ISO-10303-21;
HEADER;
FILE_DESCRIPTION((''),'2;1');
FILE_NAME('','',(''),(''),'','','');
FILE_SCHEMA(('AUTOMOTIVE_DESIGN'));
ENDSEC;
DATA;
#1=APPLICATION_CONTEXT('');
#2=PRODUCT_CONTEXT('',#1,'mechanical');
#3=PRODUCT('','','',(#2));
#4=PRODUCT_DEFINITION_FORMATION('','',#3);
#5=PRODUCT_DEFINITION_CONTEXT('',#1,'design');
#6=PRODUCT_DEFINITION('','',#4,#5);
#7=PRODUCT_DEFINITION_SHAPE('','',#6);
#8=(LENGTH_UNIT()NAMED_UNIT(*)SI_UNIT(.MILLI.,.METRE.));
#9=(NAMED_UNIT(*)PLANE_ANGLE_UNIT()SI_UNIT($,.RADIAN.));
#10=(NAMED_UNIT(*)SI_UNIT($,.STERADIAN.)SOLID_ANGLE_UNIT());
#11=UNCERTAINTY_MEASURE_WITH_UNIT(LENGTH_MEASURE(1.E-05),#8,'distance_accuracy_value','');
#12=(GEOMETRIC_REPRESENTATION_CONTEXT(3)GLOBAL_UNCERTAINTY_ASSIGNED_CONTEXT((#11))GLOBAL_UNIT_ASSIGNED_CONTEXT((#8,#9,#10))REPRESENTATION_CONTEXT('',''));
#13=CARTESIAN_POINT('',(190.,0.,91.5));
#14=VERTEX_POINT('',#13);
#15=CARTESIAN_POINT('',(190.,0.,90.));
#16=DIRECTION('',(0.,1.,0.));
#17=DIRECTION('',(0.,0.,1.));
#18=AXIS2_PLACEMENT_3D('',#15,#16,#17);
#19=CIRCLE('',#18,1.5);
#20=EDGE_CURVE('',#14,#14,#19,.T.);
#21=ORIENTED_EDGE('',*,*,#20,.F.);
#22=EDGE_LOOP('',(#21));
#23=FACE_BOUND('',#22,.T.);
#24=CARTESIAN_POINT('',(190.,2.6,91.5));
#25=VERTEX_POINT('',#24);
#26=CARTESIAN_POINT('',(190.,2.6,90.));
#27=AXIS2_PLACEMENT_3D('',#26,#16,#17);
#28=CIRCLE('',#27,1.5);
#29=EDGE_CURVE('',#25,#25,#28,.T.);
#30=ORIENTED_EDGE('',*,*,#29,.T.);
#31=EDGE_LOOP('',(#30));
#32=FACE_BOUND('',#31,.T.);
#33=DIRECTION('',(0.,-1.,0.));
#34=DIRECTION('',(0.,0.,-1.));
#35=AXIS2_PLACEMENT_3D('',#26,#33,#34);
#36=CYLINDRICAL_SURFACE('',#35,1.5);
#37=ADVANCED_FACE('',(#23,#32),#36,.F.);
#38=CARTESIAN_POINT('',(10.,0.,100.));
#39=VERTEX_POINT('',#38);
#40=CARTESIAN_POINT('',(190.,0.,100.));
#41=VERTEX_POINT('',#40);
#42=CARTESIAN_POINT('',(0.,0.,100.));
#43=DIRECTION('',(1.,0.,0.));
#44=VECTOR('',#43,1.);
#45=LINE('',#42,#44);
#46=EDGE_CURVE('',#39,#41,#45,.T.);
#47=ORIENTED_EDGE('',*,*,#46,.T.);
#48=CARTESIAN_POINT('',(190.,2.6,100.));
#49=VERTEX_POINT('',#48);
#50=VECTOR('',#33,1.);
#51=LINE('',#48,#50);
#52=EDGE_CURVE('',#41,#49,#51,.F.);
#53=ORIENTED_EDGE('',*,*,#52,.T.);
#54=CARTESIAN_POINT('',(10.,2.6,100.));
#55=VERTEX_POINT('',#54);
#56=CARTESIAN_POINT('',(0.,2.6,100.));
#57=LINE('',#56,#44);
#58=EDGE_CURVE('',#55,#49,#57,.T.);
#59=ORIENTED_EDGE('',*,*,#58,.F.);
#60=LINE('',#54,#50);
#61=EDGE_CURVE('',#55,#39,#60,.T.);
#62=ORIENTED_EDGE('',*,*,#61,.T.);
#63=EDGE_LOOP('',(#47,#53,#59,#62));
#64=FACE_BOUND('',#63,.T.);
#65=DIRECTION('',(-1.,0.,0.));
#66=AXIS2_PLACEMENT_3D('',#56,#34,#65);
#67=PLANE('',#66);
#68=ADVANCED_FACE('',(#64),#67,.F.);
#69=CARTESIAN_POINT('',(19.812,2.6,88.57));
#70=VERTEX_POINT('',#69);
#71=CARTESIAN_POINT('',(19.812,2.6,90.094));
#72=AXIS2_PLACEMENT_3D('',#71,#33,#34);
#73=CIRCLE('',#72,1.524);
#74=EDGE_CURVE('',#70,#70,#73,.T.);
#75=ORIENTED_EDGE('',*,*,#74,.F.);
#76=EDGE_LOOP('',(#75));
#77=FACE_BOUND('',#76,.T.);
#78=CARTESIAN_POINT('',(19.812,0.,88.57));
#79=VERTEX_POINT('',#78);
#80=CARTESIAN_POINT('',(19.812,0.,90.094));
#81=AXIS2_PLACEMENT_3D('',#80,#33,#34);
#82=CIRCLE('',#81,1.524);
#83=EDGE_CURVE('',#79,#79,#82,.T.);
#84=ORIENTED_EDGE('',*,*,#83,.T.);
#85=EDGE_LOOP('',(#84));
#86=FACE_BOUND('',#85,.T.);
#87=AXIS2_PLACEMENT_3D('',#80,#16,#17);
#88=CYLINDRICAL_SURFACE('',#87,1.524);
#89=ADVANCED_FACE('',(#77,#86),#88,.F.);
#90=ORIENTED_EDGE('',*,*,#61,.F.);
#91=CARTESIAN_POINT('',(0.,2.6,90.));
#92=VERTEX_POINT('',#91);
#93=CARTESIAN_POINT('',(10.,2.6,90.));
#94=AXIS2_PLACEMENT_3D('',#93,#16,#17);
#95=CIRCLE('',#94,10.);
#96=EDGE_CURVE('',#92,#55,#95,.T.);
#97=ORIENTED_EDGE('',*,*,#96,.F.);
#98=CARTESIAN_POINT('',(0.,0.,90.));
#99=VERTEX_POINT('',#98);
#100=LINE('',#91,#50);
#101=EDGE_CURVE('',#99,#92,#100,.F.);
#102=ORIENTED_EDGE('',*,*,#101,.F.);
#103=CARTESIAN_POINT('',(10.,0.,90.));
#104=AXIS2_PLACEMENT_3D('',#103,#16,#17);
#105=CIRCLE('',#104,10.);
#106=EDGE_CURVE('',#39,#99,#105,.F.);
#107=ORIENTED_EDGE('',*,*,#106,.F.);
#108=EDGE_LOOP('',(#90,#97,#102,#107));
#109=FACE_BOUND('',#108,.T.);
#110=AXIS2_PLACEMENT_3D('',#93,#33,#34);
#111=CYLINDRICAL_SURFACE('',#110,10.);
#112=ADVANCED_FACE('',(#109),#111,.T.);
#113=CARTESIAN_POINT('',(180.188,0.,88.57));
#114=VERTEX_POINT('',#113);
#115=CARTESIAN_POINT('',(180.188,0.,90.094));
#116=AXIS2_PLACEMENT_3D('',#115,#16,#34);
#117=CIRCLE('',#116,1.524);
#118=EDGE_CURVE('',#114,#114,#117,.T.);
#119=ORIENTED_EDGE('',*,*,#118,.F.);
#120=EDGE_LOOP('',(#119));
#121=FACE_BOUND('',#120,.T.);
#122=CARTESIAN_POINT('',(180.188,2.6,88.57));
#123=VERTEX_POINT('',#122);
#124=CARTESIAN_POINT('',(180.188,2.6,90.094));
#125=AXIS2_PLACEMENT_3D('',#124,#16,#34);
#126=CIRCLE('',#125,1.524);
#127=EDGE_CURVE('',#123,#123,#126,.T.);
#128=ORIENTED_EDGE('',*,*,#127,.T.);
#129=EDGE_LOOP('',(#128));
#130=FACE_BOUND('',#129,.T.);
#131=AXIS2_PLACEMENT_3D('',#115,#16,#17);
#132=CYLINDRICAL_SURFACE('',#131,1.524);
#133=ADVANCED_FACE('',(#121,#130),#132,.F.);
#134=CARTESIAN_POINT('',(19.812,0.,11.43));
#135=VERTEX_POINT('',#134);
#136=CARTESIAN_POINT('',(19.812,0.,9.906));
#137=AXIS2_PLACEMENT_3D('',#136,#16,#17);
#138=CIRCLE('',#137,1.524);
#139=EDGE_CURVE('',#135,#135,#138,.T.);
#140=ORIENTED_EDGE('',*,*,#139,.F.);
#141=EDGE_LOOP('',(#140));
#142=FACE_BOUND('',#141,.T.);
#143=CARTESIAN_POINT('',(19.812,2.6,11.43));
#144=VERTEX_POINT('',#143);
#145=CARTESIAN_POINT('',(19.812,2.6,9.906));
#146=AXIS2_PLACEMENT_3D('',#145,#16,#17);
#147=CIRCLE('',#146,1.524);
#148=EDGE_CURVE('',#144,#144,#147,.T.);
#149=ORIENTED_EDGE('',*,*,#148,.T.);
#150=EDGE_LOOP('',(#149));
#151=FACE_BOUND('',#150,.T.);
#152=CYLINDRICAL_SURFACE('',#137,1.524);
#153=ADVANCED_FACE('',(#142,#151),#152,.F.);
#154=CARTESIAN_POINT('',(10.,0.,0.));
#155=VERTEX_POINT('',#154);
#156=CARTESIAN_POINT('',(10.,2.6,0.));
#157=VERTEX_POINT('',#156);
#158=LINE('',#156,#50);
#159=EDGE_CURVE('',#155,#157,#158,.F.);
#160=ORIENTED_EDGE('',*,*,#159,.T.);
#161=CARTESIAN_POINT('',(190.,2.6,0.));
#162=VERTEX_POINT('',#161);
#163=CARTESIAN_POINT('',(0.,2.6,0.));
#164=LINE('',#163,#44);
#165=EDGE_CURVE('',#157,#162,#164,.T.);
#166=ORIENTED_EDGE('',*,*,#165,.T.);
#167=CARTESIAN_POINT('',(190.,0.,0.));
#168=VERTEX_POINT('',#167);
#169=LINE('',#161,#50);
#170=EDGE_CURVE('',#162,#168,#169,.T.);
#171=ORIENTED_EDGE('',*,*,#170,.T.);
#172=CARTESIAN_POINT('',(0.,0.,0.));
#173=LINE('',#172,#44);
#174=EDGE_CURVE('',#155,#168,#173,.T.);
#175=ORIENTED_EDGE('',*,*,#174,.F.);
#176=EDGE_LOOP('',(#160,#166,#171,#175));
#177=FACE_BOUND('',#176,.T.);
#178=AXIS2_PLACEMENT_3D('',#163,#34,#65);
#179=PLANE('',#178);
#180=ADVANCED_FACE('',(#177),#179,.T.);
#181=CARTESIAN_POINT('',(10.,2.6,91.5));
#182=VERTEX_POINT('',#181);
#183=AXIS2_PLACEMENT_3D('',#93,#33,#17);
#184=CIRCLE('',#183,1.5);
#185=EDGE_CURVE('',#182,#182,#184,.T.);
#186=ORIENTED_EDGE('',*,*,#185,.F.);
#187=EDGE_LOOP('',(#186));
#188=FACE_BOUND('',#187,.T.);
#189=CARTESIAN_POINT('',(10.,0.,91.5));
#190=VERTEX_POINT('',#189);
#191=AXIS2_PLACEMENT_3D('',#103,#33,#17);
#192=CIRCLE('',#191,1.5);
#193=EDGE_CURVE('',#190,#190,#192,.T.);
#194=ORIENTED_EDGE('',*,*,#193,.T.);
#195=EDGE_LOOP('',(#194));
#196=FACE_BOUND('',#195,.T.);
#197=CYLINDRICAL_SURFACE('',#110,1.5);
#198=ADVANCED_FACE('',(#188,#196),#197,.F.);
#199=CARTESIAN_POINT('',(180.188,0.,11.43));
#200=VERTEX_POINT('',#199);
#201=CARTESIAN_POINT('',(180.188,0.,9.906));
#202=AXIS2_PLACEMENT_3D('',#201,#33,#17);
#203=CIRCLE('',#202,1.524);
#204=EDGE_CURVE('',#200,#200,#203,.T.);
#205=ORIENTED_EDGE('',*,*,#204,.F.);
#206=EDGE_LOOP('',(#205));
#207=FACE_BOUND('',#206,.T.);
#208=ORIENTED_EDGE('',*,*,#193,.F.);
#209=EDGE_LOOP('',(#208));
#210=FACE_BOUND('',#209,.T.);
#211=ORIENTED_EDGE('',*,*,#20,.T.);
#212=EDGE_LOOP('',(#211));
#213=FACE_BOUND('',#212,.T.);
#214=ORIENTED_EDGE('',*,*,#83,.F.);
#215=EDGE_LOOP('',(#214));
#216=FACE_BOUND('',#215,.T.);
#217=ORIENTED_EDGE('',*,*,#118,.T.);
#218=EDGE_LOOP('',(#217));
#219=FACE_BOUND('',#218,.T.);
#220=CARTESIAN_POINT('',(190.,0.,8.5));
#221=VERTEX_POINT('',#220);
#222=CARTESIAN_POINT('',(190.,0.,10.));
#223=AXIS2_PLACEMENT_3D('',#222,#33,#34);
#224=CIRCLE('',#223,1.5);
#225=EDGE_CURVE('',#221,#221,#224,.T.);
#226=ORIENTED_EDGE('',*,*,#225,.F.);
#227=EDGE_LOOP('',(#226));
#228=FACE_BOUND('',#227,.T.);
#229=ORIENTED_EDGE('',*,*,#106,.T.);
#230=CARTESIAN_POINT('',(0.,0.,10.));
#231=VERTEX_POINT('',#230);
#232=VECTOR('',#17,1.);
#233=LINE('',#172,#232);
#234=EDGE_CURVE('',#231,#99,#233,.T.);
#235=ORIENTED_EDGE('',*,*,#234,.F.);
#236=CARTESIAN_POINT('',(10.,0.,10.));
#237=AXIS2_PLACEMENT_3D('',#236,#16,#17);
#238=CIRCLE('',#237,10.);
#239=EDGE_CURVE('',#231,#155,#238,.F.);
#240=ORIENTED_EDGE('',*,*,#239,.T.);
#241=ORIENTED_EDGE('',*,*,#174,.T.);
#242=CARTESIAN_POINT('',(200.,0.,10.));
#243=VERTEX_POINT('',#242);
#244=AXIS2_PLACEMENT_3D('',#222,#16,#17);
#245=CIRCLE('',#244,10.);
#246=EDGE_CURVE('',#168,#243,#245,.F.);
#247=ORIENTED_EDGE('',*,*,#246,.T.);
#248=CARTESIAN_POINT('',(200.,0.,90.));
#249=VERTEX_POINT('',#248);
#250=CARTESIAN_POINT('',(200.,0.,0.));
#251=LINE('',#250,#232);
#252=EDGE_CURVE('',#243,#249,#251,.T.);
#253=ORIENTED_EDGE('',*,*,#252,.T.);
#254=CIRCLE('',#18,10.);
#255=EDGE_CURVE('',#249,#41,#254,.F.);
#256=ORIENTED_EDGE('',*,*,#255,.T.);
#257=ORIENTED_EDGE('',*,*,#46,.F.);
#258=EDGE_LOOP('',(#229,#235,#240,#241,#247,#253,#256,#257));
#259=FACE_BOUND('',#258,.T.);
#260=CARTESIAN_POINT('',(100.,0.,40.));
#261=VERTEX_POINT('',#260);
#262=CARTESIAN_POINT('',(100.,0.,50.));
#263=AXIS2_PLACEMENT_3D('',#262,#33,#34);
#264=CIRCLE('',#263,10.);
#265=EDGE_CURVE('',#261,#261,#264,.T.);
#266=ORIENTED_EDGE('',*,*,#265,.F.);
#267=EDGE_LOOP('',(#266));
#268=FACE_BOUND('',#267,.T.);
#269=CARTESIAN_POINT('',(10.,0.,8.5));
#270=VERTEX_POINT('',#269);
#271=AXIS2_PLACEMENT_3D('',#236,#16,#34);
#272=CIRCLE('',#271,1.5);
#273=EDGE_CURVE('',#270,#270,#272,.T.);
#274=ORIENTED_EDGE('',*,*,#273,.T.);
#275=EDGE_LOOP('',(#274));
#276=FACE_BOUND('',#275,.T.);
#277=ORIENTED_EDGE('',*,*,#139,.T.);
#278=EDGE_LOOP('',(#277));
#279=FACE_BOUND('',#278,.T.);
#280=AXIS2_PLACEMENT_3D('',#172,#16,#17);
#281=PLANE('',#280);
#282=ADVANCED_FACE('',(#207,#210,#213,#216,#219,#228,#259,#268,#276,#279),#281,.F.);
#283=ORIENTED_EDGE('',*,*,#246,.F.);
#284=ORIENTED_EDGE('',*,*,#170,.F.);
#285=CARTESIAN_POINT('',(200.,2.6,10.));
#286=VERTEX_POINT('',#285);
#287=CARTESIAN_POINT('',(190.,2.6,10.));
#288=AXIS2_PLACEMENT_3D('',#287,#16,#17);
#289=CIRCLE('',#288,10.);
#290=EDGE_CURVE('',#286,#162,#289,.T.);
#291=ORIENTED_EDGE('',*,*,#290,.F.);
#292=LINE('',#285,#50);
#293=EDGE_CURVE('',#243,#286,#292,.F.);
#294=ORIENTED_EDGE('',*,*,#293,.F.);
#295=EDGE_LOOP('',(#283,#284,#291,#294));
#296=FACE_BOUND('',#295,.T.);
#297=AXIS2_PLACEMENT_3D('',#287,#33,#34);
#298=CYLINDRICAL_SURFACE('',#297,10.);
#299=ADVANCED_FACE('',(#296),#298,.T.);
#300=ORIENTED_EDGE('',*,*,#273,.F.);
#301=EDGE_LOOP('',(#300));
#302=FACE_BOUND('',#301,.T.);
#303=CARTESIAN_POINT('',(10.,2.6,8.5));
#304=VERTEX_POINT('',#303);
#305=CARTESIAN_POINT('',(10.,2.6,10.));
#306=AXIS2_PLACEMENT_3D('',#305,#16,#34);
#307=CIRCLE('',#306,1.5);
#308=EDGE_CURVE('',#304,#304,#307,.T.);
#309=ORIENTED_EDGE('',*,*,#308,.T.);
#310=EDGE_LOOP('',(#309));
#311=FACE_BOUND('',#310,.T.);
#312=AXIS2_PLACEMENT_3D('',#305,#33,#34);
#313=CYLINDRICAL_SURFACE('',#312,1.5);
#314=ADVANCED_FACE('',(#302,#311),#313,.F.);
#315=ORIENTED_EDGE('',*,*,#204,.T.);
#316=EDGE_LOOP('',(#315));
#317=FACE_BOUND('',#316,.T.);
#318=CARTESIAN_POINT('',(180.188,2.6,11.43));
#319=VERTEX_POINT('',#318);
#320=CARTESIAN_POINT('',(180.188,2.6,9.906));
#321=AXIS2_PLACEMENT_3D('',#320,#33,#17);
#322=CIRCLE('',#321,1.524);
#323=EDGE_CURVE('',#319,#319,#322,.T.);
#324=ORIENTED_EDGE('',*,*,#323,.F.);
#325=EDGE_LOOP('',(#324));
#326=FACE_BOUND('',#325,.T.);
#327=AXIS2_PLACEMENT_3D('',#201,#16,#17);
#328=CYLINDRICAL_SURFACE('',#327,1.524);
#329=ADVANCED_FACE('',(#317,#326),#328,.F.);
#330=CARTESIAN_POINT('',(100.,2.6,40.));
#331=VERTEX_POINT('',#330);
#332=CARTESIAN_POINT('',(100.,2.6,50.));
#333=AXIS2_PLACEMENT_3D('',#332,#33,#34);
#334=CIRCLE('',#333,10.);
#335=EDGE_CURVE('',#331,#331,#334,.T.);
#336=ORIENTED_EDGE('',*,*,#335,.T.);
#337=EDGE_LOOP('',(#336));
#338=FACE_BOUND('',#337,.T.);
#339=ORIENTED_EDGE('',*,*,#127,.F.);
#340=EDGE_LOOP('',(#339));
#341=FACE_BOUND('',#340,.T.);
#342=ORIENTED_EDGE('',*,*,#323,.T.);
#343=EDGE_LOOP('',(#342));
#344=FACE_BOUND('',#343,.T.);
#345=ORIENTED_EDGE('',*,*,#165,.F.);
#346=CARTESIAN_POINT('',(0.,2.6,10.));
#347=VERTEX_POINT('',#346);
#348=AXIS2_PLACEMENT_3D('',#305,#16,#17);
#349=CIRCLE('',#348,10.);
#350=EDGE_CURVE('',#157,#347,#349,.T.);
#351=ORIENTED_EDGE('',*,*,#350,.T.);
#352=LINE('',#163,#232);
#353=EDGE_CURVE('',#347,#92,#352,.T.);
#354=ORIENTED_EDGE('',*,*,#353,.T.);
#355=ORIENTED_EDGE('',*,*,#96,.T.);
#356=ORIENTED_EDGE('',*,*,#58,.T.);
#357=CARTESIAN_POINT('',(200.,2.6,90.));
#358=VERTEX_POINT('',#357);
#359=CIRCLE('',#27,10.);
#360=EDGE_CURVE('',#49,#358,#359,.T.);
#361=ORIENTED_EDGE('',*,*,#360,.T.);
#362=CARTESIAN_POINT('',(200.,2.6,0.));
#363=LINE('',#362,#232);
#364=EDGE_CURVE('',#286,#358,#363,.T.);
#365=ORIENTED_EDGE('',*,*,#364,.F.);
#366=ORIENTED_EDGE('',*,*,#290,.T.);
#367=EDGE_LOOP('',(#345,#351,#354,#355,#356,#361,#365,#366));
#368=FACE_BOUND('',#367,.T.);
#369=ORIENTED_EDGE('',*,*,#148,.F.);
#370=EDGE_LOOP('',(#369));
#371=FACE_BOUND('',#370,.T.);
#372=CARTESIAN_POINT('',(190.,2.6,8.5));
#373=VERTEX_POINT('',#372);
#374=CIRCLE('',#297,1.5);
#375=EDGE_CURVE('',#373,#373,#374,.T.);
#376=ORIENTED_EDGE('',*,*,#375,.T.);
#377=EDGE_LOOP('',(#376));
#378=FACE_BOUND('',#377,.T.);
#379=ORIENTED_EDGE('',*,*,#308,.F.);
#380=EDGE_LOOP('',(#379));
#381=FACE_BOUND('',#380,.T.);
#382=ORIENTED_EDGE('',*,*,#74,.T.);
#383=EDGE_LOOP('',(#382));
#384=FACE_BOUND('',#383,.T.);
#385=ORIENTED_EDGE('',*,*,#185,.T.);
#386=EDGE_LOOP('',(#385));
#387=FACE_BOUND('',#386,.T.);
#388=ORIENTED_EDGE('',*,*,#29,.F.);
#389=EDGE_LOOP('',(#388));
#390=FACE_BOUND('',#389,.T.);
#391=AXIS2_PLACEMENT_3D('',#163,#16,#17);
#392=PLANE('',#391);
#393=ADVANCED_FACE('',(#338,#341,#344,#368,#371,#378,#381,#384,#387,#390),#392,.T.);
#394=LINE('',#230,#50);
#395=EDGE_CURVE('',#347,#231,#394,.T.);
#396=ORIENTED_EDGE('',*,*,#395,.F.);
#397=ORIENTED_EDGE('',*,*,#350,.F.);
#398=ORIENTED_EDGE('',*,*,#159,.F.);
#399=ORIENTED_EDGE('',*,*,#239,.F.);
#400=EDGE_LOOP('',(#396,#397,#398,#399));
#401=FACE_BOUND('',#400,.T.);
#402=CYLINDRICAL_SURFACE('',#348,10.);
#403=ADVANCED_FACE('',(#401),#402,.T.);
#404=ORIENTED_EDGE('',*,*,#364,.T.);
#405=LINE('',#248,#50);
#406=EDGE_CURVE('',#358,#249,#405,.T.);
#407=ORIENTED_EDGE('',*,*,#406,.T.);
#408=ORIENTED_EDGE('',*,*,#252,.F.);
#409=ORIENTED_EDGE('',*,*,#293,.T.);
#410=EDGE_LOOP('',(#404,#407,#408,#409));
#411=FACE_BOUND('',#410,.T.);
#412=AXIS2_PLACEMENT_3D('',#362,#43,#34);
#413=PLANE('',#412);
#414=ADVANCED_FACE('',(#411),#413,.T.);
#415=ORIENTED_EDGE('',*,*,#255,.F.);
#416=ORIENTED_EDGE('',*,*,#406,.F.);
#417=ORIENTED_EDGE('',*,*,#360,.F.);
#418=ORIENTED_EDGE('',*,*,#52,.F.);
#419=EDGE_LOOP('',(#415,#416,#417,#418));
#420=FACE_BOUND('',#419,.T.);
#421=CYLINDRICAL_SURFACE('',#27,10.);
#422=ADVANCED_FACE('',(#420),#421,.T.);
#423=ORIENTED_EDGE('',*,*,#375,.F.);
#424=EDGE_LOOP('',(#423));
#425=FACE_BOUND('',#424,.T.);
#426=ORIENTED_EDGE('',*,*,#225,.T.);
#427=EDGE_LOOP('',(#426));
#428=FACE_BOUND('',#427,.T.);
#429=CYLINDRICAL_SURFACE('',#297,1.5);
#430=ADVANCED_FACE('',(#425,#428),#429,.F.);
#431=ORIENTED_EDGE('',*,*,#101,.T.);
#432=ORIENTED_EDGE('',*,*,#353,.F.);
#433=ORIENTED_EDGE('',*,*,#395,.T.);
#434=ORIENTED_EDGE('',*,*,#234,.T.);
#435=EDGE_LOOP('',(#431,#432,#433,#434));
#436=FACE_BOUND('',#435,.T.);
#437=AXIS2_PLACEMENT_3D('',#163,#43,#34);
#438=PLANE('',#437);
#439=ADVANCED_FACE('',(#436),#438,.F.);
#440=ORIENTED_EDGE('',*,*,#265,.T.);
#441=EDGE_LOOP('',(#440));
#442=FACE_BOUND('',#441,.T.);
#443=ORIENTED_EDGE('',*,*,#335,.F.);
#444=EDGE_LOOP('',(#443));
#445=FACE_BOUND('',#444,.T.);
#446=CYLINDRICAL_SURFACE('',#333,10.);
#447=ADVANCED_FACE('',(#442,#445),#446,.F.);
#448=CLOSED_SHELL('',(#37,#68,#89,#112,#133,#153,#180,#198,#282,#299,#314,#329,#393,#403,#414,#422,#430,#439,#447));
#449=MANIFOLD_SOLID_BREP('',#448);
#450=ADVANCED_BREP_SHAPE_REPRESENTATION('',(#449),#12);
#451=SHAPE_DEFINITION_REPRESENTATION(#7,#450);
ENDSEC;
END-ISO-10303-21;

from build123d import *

# Parameters (mm, degrees)
SKETCH1_W               = 200
SKETCH1_H               = 100
BOSS_EXTRUDE1_DEPTH     = 2.6
FILLET1_R               = 10
SKETCH6_R               = 1.5
CUT_EXTRUDE6_DEPTH      = 2.6
MIRROR6_COPY_1_SKETCH_R = 1.5
MIRROR6_COPY_1_DEPTH    = 2.6
SKETCH15_R              = 10
CUT_EXTRUDE14_DEPTH     = 224.621913059
SKETCH23_R              = 1.524
CUT_EXTRUDE16_DEPTH     = 2.59999988
MIRROR8_COPY_1_SKETCH_R = 1.524
MIRROR8_COPY_1_DEPTH    = 2.59999988


with BuildPart() as part:
    # Sketch1 → Boss-Extrude1 (new body)
    with BuildSketch(Plane(origin=(0, 0, 0), x_dir=(1, 0, 0), z_dir=(0, 1, 0))):
        with Locations((100, -50)):
            Rectangle(SKETCH1_W, SKETCH1_H)
    extrude(amount=BOSS_EXTRUDE1_DEPTH)

    # Fillet1
    fillet1_edges = [part.edges().sort_by_distance(p)[0] for p in [
        (0, 1.3, 0),
        (200, 1.3, 0),
        (200, 1.3, 100),
        (0, 1.3, 100),
    ]]
    fillet(fillet1_edges, radius=FILLET1_R)

    # Sketch6 → Cut-Extrude6 (cut)
    with BuildSketch(Plane.XZ):
        with Locations(Location((190, 10, 0), (0, 0, 270))):
            Circle(SKETCH6_R)
    cut_extrude6 = extrude(amount=-CUT_EXTRUDE6_DEPTH, mode=Mode.SUBTRACT)

    # Mirror5: Cut-Extrude6 across plane
    add(cut_extrude6.mirror(Plane(origin=(100, 0, 0), x_dir=(0, 0, 1), z_dir=(1, 0, 0))), mode=Mode.SUBTRACT)

    # Mirror6: Cut-Extrude6 across plane
    add(cut_extrude6.mirror(Plane.XY.offset(50)), mode=Mode.SUBTRACT)

    # Mirror6 copy 1 sketch → Mirror6 copy 1 (cut)
    with BuildSketch(Plane(origin=(200, 0, 100), x_dir=(-1, 0, 0), z_dir=(0, -1, 0))):
        with Locations(Location((190, 10, 0), (0, 0, 270))):
            Circle(MIRROR6_COPY_1_SKETCH_R)
    extrude(amount=-MIRROR6_COPY_1_DEPTH, mode=Mode.SUBTRACT)

    # Sketch15 → Cut-Extrude14 (cut, through all)
    with BuildSketch(Plane.XZ):
        with Locations(Location((100, 50, 0), (0, 0, 270))):
            Circle(SKETCH15_R)
    extrude(amount=-CUT_EXTRUDE14_DEPTH, mode=Mode.SUBTRACT)

    # Sketch23 → Cut-Extrude16 (cut)
    with BuildSketch(Plane(origin=(0, 2.6, 0), x_dir=(1, 0, 0), z_dir=(0, 1, 0))):
        with Locations(Location((19.812, -9.906, 0), (0, 0, 270))):
            Circle(SKETCH23_R)
    cut_extrude16 = extrude(amount=-CUT_EXTRUDE16_DEPTH, mode=Mode.SUBTRACT)

    # Mirror7: Cut-Extrude16 across plane
    add(cut_extrude16.mirror(Plane(origin=(100, 0, 0), x_dir=(0, 0, 1), z_dir=(1, 0, 0))), mode=Mode.SUBTRACT)

    # Mirror8: Cut-Extrude16 across plane
    add(cut_extrude16.mirror(Plane.XY.offset(50)), mode=Mode.SUBTRACT)

    # Mirror8 copy 1 sketch → Mirror8 copy 1 (cut)
    with BuildSketch(Plane(origin=(200, 2.6, 100), x_dir=(-1, 0, 0), z_dir=(0, 1, 0))):
        with Locations(Location((19.812, -9.906, 0), (0, 0, 270))):
            Circle(MIRROR8_COPY_1_SKETCH_R)
    extrude(amount=-MIRROR8_COPY_1_DEPTH, mode=Mode.SUBTRACT)


solid = part.part
